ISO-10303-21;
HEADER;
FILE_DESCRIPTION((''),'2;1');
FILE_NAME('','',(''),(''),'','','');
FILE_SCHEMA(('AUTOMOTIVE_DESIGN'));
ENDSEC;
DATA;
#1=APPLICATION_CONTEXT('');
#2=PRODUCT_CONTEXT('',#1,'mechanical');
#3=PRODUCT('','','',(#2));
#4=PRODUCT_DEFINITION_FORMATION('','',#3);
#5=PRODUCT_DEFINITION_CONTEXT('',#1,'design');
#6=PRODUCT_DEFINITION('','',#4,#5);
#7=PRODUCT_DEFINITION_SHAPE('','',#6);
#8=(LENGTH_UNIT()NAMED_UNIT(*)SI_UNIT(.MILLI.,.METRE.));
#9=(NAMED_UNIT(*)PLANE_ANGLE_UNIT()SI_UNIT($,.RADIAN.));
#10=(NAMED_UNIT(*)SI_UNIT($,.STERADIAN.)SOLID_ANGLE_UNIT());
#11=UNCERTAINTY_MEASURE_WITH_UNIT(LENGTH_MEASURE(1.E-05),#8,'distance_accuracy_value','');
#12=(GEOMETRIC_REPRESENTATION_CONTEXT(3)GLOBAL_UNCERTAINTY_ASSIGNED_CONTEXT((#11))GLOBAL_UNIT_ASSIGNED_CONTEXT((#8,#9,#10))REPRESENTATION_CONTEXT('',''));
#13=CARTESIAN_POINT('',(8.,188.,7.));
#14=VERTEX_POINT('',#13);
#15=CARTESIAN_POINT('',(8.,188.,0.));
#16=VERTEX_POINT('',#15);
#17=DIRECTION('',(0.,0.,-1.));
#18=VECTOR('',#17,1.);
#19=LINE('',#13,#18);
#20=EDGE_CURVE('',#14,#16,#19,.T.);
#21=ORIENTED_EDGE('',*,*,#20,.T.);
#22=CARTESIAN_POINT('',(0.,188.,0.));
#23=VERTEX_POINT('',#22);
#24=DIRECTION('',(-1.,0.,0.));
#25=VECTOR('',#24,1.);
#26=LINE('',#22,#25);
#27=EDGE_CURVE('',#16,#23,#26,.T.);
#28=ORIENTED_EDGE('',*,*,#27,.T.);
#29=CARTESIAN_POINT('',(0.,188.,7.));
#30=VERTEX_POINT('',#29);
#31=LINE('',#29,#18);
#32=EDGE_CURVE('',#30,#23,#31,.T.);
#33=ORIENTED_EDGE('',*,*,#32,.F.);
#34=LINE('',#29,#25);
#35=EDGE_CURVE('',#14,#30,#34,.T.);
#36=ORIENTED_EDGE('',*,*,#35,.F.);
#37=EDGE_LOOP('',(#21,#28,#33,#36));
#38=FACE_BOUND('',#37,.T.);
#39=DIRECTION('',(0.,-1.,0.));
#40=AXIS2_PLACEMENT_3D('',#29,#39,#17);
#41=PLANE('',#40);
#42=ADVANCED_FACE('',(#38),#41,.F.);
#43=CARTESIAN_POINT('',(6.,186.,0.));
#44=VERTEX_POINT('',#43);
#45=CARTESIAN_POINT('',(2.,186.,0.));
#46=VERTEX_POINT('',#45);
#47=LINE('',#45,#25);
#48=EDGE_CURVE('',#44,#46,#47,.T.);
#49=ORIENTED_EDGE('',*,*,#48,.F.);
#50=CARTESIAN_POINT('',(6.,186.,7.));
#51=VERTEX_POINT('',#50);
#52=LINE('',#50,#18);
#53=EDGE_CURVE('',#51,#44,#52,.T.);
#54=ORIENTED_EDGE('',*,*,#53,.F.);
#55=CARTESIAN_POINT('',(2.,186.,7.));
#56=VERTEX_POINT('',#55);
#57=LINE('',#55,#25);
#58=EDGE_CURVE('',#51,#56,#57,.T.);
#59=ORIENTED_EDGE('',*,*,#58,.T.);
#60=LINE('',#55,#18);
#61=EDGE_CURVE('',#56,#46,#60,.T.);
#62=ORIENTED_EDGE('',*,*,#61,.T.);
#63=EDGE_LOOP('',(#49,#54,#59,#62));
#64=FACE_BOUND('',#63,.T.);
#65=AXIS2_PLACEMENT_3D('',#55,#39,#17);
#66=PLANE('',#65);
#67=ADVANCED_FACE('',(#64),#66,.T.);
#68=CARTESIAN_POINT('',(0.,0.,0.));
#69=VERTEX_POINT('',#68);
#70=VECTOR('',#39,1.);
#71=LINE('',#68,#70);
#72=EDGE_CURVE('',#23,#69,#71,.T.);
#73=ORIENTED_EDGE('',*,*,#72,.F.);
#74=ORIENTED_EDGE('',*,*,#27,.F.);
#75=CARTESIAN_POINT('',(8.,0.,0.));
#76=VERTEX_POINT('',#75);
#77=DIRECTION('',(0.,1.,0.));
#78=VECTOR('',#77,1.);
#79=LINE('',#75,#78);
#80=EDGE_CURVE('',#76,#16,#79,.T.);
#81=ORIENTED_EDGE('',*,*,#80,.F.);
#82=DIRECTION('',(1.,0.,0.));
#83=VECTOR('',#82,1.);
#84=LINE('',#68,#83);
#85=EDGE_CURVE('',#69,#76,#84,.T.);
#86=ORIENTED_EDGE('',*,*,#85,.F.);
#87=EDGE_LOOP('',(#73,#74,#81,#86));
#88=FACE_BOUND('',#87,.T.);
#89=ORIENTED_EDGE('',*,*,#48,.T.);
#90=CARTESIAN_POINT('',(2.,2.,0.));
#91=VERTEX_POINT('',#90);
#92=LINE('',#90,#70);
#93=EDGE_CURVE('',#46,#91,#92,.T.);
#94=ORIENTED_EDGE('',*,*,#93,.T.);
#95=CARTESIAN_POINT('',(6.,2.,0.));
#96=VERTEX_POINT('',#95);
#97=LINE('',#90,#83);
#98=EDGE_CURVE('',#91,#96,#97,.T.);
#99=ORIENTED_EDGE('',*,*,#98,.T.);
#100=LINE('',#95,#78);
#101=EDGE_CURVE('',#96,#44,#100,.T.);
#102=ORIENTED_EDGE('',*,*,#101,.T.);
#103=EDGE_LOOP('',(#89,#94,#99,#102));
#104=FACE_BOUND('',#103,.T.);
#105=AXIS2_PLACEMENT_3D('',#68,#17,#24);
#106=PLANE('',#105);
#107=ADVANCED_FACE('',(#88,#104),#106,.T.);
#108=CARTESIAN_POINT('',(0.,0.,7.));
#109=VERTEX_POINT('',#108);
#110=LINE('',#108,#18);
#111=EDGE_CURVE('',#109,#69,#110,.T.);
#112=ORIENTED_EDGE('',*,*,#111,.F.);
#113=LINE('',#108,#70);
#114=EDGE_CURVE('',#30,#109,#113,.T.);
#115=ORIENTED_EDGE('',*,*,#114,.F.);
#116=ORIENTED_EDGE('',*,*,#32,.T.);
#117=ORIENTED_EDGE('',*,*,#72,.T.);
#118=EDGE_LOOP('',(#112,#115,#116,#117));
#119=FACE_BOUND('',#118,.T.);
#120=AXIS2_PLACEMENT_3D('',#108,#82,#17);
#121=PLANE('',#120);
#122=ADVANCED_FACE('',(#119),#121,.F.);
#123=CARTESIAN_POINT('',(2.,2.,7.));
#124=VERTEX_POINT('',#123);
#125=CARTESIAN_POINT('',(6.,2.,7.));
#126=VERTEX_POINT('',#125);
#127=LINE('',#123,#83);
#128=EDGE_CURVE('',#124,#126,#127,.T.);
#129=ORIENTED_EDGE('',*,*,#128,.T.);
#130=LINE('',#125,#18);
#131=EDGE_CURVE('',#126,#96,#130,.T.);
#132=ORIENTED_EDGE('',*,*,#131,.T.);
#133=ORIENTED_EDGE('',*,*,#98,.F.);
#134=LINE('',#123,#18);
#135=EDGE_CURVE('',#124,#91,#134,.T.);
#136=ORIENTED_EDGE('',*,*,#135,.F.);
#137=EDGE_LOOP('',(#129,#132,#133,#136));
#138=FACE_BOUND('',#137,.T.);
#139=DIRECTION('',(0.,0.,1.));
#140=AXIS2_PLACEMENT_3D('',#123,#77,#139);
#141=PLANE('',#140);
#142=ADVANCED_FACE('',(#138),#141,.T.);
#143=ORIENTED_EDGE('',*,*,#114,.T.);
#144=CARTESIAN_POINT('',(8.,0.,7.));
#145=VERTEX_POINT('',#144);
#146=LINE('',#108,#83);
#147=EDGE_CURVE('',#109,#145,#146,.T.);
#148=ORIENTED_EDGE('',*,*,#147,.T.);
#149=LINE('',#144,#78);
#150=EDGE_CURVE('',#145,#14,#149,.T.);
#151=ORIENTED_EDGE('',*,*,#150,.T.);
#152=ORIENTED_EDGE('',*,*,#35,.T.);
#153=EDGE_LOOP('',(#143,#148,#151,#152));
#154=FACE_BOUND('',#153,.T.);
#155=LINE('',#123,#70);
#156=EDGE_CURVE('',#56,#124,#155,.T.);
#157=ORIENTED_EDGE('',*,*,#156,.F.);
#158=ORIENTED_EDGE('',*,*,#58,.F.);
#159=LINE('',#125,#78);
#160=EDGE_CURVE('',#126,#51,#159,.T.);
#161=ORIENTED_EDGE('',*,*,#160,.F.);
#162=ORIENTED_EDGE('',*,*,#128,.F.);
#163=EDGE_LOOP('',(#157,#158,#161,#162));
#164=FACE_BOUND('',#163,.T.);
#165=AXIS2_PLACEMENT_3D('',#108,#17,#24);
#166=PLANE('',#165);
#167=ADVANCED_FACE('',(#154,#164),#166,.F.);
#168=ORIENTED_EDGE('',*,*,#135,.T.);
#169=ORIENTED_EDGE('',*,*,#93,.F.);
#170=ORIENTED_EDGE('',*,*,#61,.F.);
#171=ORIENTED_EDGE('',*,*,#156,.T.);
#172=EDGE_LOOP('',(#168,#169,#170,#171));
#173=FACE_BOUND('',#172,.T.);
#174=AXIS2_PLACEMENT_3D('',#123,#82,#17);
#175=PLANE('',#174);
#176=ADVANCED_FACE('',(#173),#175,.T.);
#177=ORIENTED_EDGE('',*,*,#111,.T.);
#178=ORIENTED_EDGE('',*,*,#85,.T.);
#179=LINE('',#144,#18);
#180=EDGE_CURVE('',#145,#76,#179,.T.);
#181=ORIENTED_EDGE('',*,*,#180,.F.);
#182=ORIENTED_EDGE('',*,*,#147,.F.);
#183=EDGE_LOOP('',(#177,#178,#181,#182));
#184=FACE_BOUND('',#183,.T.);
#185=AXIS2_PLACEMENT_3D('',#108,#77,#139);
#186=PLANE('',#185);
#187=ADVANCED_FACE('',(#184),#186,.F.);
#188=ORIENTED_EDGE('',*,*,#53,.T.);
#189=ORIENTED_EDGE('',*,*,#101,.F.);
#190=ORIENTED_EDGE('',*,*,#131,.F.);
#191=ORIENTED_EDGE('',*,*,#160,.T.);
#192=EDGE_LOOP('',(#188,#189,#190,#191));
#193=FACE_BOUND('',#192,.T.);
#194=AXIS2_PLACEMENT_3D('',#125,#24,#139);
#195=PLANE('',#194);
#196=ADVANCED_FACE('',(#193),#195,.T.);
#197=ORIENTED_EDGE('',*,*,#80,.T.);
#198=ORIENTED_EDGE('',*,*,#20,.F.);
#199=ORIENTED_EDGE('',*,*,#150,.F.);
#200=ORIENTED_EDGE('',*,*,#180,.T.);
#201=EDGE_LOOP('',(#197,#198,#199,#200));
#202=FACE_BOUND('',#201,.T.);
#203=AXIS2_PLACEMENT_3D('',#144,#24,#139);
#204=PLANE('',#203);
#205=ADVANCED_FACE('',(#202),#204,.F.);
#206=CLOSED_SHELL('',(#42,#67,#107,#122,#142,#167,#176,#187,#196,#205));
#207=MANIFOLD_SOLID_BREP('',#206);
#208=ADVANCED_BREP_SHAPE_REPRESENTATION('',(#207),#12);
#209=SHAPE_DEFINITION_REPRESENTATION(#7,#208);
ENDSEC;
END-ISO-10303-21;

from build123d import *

# Parameters (mm, degrees)
SKETCH1_W     = 8
SKETCH1_H     = 188
SKETCH1_W_2   = 4
SKETCH1_H_2   = 184
PROFILE_DEPTH = 7


with BuildPart() as part:
    # Sketch1 → Profile (new body)
    with BuildSketch(Plane.XY):
        with Locations((4, 94)):
            Rectangle(SKETCH1_W, SKETCH1_H)
        with Locations((4, 94)):
            Rectangle(SKETCH1_W_2, SKETCH1_H_2, mode=Mode.SUBTRACT)
    extrude(amount=PROFILE_DEPTH)


solid = part.part
